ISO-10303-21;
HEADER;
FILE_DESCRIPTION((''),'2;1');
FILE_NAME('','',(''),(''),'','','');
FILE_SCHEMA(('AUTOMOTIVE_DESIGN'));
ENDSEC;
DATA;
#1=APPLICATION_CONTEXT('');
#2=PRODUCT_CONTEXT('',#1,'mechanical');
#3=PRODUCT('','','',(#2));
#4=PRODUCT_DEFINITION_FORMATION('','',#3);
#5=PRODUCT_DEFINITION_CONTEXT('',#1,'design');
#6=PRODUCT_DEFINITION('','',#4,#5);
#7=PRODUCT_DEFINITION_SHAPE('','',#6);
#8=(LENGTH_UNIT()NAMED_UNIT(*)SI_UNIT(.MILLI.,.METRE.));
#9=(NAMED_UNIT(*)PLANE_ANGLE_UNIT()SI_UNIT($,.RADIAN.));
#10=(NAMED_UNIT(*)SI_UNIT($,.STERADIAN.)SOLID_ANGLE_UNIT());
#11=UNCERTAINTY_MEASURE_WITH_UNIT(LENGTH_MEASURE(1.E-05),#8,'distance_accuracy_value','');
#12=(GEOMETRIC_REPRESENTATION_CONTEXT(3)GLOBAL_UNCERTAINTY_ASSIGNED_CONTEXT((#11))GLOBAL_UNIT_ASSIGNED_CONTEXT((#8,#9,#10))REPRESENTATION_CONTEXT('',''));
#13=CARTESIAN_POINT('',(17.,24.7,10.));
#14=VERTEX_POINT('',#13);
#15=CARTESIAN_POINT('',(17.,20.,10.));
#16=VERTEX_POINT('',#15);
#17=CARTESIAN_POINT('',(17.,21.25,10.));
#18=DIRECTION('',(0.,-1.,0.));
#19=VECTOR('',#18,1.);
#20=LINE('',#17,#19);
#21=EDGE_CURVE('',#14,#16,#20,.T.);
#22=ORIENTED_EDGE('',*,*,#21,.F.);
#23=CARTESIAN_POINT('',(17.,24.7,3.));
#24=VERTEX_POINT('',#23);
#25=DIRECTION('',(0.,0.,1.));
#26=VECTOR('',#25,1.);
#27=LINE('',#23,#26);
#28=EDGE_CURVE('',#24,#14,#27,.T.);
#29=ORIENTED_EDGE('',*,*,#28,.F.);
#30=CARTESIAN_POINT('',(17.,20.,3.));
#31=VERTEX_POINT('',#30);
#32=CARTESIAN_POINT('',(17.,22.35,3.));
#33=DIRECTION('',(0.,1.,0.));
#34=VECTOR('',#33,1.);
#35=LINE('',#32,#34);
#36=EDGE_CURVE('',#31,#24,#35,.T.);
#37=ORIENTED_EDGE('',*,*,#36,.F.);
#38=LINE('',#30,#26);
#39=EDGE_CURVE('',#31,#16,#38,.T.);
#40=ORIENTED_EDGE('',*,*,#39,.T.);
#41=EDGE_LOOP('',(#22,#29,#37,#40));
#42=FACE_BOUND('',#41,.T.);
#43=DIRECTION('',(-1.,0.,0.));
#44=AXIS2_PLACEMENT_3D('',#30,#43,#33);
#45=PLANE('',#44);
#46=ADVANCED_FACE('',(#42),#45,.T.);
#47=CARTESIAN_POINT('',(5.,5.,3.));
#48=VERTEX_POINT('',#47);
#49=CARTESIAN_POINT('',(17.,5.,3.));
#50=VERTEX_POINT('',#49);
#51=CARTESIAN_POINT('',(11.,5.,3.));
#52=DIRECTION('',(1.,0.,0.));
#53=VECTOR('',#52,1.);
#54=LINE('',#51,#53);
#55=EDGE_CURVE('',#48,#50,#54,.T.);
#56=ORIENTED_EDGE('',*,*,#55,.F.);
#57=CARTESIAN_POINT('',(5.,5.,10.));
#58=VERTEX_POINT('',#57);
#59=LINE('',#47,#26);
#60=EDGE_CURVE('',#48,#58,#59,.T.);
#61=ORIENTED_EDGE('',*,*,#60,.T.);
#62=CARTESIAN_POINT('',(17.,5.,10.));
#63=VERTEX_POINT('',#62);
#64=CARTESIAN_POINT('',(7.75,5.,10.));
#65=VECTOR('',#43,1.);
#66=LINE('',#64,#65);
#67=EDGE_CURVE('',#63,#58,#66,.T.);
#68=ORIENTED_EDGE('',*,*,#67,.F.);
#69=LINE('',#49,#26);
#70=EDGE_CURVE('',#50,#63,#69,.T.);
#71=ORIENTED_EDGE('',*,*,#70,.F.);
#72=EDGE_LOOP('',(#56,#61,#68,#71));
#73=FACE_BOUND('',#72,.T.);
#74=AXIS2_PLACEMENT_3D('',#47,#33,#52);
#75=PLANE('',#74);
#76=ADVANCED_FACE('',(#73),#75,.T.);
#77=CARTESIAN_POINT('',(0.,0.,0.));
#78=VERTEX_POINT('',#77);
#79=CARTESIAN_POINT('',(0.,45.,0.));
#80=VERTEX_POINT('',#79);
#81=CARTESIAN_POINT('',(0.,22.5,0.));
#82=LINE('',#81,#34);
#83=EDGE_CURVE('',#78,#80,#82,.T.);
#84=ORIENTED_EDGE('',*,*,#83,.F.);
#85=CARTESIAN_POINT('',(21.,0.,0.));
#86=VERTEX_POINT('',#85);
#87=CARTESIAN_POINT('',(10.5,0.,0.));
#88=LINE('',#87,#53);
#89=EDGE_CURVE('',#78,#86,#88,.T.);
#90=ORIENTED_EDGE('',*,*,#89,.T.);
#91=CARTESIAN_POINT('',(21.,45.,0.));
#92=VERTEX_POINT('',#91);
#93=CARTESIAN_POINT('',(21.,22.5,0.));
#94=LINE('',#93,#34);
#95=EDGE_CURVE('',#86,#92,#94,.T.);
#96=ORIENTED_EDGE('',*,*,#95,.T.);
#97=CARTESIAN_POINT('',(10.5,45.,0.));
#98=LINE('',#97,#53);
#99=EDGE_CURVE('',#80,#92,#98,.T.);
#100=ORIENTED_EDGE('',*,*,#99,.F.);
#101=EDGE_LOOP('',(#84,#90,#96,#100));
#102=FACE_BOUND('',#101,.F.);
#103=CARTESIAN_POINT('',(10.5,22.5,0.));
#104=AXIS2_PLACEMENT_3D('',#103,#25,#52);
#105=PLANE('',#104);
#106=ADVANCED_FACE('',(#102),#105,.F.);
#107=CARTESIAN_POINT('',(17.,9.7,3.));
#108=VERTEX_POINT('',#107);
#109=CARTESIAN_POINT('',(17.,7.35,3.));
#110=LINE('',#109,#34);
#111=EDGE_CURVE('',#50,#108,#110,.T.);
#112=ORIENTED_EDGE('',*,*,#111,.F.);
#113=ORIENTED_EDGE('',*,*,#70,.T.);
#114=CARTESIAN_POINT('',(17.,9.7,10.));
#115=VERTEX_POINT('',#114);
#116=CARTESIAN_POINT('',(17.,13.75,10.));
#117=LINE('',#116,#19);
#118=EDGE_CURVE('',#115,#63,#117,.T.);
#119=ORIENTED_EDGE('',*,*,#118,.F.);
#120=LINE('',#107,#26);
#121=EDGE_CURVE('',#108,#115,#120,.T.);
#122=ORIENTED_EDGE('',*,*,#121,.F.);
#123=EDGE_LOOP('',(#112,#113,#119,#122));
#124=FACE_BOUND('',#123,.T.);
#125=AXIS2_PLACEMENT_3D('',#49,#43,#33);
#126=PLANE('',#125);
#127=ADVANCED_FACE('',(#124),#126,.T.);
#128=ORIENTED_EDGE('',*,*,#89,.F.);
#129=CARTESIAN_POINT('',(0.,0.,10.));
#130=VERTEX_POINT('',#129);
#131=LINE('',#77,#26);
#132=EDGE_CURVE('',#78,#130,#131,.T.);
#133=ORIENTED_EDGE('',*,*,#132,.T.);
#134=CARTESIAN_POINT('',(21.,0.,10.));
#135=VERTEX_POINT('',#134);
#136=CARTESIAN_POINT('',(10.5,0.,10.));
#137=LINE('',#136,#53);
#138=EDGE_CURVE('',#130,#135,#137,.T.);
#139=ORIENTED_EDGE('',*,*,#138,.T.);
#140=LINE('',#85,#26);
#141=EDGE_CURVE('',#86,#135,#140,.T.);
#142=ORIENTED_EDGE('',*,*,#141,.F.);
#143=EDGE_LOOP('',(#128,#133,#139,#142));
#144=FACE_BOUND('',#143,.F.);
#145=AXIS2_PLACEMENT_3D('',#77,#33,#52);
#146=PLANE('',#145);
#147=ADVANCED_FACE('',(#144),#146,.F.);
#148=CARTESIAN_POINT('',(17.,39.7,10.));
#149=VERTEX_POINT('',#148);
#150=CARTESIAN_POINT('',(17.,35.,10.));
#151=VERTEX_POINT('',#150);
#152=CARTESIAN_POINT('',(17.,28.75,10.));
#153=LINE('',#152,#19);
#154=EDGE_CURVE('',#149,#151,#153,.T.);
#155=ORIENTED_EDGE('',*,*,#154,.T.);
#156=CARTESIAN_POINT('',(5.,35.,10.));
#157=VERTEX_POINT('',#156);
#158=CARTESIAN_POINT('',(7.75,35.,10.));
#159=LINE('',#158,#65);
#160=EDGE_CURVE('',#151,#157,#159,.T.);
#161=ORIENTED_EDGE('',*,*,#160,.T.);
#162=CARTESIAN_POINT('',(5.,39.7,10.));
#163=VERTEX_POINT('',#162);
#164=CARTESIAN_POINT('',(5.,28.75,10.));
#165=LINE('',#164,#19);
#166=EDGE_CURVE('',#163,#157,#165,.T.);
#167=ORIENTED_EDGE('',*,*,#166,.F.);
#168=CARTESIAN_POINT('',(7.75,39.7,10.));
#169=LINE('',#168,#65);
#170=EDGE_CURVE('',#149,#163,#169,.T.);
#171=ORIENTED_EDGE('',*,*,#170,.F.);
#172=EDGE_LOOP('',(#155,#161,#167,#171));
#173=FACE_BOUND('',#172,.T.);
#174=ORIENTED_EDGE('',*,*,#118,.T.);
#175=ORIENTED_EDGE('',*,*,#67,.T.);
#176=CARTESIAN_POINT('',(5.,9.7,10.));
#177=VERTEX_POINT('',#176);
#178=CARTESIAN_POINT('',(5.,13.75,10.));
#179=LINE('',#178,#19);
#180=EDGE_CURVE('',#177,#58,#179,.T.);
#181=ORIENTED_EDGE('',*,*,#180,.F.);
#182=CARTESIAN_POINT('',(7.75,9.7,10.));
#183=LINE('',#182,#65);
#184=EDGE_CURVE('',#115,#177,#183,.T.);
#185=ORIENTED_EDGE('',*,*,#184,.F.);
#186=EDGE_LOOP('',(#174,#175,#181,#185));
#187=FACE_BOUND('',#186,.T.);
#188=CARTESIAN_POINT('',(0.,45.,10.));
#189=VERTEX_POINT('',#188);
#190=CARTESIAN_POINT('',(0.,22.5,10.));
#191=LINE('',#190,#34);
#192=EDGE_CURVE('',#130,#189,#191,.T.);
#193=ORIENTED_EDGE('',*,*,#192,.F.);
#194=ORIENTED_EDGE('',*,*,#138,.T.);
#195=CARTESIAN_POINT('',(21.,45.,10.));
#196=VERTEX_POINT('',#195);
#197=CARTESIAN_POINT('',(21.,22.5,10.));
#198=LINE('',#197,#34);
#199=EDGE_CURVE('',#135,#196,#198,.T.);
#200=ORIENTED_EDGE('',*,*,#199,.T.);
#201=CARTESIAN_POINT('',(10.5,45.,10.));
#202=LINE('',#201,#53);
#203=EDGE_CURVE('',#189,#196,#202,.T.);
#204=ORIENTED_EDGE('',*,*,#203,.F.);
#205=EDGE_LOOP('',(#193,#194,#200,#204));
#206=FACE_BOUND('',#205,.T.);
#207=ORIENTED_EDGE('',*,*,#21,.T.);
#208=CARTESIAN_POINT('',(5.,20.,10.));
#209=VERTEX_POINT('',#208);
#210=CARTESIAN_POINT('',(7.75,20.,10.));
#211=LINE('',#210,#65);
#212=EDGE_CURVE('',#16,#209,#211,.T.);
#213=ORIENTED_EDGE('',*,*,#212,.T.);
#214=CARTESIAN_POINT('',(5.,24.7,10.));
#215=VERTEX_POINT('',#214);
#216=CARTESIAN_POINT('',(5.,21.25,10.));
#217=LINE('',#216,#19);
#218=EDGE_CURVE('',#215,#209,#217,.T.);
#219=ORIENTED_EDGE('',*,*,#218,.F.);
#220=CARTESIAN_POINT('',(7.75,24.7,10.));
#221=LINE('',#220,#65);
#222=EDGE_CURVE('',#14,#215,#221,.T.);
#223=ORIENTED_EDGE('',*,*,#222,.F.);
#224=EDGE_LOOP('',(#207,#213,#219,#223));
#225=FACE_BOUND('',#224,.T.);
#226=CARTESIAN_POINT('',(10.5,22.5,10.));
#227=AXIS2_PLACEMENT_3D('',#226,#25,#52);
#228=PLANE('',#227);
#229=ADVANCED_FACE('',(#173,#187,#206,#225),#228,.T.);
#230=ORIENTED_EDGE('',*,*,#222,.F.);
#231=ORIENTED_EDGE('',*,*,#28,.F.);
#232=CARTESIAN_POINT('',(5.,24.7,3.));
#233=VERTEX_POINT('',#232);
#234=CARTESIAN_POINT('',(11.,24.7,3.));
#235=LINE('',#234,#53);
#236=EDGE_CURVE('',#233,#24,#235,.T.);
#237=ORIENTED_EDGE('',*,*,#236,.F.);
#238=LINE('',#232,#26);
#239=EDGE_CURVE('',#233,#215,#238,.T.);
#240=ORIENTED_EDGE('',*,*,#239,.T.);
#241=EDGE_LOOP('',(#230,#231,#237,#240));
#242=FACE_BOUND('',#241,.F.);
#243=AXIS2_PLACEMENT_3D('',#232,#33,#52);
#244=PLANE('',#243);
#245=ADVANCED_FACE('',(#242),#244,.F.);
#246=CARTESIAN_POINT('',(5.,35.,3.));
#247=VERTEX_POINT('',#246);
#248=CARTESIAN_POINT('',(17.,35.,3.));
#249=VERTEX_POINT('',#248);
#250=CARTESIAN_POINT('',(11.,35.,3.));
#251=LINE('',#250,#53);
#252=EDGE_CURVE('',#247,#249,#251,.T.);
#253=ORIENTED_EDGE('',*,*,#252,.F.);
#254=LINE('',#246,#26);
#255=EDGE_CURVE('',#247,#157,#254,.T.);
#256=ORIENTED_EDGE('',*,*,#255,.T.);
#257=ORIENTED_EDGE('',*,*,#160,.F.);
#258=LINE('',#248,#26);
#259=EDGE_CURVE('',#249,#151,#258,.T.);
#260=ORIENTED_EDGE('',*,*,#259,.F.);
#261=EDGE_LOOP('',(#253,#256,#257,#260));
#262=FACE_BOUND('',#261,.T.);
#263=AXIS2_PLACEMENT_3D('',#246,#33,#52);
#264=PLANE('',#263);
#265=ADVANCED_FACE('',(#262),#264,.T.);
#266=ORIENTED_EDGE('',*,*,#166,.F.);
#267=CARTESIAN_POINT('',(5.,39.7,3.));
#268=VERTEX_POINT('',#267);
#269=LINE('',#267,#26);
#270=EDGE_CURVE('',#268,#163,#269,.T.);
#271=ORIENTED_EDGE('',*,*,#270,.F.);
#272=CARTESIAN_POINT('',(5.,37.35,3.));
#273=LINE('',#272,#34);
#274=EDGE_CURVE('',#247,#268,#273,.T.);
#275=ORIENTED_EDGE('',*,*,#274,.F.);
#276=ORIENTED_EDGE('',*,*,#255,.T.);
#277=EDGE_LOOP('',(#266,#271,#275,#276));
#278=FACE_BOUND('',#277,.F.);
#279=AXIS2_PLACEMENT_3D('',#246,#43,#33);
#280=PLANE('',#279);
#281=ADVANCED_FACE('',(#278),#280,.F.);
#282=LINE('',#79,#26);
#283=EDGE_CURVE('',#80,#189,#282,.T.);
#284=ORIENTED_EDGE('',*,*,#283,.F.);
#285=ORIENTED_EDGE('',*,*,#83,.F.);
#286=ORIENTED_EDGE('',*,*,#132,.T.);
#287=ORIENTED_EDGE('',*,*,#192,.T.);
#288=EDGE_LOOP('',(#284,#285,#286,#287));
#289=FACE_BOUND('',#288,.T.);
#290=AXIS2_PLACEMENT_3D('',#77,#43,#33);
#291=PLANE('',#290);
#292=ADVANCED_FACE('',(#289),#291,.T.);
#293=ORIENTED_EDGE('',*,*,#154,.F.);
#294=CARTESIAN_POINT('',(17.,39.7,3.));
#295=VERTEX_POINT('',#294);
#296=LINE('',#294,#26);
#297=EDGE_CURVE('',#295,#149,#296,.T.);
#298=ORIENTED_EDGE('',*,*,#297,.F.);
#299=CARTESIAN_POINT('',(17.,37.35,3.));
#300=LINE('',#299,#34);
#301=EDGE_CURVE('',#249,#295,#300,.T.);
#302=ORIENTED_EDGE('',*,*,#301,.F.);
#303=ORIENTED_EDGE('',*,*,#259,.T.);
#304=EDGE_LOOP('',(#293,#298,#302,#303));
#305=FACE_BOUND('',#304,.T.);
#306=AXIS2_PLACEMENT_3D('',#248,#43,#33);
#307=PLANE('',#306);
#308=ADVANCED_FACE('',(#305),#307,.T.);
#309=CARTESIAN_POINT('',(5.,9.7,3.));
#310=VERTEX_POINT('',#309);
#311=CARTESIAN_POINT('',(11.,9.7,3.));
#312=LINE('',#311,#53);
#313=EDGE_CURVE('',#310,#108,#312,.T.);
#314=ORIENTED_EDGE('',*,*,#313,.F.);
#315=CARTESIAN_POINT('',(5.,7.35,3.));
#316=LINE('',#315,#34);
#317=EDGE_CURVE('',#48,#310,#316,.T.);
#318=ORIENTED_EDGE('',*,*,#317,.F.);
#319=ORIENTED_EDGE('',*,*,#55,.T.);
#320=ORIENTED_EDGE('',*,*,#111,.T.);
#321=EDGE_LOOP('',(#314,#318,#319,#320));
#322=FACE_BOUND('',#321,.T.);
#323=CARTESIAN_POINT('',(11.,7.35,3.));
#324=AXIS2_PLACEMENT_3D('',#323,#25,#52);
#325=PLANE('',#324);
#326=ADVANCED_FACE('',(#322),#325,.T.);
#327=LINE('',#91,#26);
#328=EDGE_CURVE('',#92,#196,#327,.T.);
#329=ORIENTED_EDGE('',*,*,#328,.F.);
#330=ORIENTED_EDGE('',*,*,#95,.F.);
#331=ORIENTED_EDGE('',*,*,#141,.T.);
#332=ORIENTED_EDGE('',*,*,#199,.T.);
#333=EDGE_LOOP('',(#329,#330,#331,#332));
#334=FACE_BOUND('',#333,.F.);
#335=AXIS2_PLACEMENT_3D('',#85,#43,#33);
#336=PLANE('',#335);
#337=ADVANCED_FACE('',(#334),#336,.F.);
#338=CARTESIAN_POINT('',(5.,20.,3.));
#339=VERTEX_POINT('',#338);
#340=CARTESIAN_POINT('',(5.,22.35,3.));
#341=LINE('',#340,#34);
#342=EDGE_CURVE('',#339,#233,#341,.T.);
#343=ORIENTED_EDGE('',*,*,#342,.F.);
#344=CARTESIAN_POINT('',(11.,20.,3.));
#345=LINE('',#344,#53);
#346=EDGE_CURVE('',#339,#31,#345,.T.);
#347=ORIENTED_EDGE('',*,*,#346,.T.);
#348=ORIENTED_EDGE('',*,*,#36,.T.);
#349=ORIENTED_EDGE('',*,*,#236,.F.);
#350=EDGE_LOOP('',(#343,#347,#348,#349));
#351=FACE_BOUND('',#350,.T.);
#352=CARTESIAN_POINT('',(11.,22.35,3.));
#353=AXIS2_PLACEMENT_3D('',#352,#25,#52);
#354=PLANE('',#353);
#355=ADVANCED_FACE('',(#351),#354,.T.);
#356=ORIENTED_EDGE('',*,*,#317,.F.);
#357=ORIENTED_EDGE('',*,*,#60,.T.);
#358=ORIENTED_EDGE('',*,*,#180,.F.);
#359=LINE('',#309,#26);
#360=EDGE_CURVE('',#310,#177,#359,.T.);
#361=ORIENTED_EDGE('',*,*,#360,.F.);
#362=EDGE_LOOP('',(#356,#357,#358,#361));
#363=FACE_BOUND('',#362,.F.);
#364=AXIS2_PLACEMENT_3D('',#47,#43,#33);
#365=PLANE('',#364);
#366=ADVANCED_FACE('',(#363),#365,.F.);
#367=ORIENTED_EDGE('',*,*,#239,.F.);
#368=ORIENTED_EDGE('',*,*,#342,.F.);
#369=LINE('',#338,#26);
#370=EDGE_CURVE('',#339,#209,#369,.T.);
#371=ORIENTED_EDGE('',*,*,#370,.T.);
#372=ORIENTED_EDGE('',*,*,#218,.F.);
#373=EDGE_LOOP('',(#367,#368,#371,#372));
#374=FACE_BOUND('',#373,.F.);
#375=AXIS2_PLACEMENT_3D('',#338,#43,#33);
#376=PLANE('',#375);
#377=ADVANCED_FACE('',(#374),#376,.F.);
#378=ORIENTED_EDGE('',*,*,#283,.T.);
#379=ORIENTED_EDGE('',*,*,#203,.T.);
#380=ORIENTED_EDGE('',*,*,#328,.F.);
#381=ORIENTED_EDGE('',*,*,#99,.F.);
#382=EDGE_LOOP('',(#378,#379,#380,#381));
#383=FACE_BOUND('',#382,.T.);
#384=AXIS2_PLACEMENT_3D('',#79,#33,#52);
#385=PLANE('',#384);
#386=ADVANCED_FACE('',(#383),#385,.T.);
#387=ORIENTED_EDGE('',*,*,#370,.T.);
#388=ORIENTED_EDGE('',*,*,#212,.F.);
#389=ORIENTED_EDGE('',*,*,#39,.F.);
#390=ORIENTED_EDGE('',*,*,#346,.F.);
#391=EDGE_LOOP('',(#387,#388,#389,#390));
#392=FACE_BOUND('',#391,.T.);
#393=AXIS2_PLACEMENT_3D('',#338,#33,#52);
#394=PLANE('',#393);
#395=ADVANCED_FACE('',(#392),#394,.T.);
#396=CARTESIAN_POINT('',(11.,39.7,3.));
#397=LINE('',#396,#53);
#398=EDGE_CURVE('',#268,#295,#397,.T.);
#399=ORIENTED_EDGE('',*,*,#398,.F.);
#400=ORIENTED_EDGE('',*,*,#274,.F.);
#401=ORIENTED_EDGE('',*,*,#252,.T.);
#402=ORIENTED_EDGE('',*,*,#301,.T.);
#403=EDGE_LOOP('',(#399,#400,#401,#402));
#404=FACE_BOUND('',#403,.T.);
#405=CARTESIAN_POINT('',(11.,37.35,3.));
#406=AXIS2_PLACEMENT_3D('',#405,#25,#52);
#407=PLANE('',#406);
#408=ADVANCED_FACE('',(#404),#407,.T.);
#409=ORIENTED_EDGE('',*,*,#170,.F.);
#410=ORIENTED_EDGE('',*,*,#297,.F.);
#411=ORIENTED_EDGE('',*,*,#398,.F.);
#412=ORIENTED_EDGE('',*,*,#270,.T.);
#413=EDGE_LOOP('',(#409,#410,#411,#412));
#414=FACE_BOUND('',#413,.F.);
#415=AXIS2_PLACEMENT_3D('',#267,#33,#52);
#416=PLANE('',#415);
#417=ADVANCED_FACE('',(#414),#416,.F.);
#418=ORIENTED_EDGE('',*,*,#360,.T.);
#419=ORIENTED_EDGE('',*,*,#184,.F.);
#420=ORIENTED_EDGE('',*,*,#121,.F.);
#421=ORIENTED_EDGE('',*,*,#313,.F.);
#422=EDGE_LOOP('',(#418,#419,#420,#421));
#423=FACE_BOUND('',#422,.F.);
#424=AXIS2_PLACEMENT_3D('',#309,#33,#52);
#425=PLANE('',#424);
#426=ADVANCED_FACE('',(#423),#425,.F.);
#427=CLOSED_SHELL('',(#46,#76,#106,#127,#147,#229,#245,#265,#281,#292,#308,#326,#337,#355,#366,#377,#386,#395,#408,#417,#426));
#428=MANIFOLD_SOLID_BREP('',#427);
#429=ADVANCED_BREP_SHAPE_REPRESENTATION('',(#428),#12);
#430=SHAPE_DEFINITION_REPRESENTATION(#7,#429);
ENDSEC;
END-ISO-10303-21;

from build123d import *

# Parameters (mm, degrees)
BOX001_W     = 12
BOX001_H     = 4.7
BOX001_DEPTH = 11
BOX_W        = 12
BOX_H        = 4.7
BOX_DEPTH    = 11
BOX002_W     = 12
BOX002_H     = 4.7
BOX002_DEPTH = 11
BOX003_W     = 21
BOX003_H     = 45
BOX003_DEPTH = 10


with BuildPart() as box001:
    # Box001 → Box001 (new body)
    with BuildSketch(Plane(origin=(0, -15, 0), x_dir=(1, 0, 0), z_dir=(0, 0, 1))):
        with Locations((6, 2.35)):
            Rectangle(BOX001_W, BOX001_H)
    extrude(amount=BOX001_DEPTH)


with BuildPart() as box:
    # Box → Box (new body)
    with BuildSketch(Plane.XY):
        with Locations((6, 2.35)):
            Rectangle(BOX_W, BOX_H)
    extrude(amount=BOX_DEPTH)


with BuildPart() as fusion:
    # Box002 → Box002 (new body)
    with BuildSketch(Plane(origin=(0, 15, 0), x_dir=(1, 0, 0), z_dir=(0, 0, 1))):
        with Locations((6, 2.35)):
            Rectangle(BOX002_W, BOX002_H)
    extrude(amount=BOX002_DEPTH)

    # Fusion: union Box001, Box
    add(box001.part)
    add(box.part)


with BuildPart() as fusion_1:
    # Fusion placement: moved
    add(fusion.part.moved(Location((5, 20, 3))))


with BuildPart() as porta_pendrives:
    # Box003 → Box003 (new body)
    with BuildSketch(Plane.XY):
        with Locations((10.5, 22.5)):
            Rectangle(BOX003_W, BOX003_H)
    extrude(amount=BOX003_DEPTH)

    # Cut: cut Fusion
    add(fusion_1.part, mode=Mode.SUBTRACT)


solid = porta_pendrives.part
